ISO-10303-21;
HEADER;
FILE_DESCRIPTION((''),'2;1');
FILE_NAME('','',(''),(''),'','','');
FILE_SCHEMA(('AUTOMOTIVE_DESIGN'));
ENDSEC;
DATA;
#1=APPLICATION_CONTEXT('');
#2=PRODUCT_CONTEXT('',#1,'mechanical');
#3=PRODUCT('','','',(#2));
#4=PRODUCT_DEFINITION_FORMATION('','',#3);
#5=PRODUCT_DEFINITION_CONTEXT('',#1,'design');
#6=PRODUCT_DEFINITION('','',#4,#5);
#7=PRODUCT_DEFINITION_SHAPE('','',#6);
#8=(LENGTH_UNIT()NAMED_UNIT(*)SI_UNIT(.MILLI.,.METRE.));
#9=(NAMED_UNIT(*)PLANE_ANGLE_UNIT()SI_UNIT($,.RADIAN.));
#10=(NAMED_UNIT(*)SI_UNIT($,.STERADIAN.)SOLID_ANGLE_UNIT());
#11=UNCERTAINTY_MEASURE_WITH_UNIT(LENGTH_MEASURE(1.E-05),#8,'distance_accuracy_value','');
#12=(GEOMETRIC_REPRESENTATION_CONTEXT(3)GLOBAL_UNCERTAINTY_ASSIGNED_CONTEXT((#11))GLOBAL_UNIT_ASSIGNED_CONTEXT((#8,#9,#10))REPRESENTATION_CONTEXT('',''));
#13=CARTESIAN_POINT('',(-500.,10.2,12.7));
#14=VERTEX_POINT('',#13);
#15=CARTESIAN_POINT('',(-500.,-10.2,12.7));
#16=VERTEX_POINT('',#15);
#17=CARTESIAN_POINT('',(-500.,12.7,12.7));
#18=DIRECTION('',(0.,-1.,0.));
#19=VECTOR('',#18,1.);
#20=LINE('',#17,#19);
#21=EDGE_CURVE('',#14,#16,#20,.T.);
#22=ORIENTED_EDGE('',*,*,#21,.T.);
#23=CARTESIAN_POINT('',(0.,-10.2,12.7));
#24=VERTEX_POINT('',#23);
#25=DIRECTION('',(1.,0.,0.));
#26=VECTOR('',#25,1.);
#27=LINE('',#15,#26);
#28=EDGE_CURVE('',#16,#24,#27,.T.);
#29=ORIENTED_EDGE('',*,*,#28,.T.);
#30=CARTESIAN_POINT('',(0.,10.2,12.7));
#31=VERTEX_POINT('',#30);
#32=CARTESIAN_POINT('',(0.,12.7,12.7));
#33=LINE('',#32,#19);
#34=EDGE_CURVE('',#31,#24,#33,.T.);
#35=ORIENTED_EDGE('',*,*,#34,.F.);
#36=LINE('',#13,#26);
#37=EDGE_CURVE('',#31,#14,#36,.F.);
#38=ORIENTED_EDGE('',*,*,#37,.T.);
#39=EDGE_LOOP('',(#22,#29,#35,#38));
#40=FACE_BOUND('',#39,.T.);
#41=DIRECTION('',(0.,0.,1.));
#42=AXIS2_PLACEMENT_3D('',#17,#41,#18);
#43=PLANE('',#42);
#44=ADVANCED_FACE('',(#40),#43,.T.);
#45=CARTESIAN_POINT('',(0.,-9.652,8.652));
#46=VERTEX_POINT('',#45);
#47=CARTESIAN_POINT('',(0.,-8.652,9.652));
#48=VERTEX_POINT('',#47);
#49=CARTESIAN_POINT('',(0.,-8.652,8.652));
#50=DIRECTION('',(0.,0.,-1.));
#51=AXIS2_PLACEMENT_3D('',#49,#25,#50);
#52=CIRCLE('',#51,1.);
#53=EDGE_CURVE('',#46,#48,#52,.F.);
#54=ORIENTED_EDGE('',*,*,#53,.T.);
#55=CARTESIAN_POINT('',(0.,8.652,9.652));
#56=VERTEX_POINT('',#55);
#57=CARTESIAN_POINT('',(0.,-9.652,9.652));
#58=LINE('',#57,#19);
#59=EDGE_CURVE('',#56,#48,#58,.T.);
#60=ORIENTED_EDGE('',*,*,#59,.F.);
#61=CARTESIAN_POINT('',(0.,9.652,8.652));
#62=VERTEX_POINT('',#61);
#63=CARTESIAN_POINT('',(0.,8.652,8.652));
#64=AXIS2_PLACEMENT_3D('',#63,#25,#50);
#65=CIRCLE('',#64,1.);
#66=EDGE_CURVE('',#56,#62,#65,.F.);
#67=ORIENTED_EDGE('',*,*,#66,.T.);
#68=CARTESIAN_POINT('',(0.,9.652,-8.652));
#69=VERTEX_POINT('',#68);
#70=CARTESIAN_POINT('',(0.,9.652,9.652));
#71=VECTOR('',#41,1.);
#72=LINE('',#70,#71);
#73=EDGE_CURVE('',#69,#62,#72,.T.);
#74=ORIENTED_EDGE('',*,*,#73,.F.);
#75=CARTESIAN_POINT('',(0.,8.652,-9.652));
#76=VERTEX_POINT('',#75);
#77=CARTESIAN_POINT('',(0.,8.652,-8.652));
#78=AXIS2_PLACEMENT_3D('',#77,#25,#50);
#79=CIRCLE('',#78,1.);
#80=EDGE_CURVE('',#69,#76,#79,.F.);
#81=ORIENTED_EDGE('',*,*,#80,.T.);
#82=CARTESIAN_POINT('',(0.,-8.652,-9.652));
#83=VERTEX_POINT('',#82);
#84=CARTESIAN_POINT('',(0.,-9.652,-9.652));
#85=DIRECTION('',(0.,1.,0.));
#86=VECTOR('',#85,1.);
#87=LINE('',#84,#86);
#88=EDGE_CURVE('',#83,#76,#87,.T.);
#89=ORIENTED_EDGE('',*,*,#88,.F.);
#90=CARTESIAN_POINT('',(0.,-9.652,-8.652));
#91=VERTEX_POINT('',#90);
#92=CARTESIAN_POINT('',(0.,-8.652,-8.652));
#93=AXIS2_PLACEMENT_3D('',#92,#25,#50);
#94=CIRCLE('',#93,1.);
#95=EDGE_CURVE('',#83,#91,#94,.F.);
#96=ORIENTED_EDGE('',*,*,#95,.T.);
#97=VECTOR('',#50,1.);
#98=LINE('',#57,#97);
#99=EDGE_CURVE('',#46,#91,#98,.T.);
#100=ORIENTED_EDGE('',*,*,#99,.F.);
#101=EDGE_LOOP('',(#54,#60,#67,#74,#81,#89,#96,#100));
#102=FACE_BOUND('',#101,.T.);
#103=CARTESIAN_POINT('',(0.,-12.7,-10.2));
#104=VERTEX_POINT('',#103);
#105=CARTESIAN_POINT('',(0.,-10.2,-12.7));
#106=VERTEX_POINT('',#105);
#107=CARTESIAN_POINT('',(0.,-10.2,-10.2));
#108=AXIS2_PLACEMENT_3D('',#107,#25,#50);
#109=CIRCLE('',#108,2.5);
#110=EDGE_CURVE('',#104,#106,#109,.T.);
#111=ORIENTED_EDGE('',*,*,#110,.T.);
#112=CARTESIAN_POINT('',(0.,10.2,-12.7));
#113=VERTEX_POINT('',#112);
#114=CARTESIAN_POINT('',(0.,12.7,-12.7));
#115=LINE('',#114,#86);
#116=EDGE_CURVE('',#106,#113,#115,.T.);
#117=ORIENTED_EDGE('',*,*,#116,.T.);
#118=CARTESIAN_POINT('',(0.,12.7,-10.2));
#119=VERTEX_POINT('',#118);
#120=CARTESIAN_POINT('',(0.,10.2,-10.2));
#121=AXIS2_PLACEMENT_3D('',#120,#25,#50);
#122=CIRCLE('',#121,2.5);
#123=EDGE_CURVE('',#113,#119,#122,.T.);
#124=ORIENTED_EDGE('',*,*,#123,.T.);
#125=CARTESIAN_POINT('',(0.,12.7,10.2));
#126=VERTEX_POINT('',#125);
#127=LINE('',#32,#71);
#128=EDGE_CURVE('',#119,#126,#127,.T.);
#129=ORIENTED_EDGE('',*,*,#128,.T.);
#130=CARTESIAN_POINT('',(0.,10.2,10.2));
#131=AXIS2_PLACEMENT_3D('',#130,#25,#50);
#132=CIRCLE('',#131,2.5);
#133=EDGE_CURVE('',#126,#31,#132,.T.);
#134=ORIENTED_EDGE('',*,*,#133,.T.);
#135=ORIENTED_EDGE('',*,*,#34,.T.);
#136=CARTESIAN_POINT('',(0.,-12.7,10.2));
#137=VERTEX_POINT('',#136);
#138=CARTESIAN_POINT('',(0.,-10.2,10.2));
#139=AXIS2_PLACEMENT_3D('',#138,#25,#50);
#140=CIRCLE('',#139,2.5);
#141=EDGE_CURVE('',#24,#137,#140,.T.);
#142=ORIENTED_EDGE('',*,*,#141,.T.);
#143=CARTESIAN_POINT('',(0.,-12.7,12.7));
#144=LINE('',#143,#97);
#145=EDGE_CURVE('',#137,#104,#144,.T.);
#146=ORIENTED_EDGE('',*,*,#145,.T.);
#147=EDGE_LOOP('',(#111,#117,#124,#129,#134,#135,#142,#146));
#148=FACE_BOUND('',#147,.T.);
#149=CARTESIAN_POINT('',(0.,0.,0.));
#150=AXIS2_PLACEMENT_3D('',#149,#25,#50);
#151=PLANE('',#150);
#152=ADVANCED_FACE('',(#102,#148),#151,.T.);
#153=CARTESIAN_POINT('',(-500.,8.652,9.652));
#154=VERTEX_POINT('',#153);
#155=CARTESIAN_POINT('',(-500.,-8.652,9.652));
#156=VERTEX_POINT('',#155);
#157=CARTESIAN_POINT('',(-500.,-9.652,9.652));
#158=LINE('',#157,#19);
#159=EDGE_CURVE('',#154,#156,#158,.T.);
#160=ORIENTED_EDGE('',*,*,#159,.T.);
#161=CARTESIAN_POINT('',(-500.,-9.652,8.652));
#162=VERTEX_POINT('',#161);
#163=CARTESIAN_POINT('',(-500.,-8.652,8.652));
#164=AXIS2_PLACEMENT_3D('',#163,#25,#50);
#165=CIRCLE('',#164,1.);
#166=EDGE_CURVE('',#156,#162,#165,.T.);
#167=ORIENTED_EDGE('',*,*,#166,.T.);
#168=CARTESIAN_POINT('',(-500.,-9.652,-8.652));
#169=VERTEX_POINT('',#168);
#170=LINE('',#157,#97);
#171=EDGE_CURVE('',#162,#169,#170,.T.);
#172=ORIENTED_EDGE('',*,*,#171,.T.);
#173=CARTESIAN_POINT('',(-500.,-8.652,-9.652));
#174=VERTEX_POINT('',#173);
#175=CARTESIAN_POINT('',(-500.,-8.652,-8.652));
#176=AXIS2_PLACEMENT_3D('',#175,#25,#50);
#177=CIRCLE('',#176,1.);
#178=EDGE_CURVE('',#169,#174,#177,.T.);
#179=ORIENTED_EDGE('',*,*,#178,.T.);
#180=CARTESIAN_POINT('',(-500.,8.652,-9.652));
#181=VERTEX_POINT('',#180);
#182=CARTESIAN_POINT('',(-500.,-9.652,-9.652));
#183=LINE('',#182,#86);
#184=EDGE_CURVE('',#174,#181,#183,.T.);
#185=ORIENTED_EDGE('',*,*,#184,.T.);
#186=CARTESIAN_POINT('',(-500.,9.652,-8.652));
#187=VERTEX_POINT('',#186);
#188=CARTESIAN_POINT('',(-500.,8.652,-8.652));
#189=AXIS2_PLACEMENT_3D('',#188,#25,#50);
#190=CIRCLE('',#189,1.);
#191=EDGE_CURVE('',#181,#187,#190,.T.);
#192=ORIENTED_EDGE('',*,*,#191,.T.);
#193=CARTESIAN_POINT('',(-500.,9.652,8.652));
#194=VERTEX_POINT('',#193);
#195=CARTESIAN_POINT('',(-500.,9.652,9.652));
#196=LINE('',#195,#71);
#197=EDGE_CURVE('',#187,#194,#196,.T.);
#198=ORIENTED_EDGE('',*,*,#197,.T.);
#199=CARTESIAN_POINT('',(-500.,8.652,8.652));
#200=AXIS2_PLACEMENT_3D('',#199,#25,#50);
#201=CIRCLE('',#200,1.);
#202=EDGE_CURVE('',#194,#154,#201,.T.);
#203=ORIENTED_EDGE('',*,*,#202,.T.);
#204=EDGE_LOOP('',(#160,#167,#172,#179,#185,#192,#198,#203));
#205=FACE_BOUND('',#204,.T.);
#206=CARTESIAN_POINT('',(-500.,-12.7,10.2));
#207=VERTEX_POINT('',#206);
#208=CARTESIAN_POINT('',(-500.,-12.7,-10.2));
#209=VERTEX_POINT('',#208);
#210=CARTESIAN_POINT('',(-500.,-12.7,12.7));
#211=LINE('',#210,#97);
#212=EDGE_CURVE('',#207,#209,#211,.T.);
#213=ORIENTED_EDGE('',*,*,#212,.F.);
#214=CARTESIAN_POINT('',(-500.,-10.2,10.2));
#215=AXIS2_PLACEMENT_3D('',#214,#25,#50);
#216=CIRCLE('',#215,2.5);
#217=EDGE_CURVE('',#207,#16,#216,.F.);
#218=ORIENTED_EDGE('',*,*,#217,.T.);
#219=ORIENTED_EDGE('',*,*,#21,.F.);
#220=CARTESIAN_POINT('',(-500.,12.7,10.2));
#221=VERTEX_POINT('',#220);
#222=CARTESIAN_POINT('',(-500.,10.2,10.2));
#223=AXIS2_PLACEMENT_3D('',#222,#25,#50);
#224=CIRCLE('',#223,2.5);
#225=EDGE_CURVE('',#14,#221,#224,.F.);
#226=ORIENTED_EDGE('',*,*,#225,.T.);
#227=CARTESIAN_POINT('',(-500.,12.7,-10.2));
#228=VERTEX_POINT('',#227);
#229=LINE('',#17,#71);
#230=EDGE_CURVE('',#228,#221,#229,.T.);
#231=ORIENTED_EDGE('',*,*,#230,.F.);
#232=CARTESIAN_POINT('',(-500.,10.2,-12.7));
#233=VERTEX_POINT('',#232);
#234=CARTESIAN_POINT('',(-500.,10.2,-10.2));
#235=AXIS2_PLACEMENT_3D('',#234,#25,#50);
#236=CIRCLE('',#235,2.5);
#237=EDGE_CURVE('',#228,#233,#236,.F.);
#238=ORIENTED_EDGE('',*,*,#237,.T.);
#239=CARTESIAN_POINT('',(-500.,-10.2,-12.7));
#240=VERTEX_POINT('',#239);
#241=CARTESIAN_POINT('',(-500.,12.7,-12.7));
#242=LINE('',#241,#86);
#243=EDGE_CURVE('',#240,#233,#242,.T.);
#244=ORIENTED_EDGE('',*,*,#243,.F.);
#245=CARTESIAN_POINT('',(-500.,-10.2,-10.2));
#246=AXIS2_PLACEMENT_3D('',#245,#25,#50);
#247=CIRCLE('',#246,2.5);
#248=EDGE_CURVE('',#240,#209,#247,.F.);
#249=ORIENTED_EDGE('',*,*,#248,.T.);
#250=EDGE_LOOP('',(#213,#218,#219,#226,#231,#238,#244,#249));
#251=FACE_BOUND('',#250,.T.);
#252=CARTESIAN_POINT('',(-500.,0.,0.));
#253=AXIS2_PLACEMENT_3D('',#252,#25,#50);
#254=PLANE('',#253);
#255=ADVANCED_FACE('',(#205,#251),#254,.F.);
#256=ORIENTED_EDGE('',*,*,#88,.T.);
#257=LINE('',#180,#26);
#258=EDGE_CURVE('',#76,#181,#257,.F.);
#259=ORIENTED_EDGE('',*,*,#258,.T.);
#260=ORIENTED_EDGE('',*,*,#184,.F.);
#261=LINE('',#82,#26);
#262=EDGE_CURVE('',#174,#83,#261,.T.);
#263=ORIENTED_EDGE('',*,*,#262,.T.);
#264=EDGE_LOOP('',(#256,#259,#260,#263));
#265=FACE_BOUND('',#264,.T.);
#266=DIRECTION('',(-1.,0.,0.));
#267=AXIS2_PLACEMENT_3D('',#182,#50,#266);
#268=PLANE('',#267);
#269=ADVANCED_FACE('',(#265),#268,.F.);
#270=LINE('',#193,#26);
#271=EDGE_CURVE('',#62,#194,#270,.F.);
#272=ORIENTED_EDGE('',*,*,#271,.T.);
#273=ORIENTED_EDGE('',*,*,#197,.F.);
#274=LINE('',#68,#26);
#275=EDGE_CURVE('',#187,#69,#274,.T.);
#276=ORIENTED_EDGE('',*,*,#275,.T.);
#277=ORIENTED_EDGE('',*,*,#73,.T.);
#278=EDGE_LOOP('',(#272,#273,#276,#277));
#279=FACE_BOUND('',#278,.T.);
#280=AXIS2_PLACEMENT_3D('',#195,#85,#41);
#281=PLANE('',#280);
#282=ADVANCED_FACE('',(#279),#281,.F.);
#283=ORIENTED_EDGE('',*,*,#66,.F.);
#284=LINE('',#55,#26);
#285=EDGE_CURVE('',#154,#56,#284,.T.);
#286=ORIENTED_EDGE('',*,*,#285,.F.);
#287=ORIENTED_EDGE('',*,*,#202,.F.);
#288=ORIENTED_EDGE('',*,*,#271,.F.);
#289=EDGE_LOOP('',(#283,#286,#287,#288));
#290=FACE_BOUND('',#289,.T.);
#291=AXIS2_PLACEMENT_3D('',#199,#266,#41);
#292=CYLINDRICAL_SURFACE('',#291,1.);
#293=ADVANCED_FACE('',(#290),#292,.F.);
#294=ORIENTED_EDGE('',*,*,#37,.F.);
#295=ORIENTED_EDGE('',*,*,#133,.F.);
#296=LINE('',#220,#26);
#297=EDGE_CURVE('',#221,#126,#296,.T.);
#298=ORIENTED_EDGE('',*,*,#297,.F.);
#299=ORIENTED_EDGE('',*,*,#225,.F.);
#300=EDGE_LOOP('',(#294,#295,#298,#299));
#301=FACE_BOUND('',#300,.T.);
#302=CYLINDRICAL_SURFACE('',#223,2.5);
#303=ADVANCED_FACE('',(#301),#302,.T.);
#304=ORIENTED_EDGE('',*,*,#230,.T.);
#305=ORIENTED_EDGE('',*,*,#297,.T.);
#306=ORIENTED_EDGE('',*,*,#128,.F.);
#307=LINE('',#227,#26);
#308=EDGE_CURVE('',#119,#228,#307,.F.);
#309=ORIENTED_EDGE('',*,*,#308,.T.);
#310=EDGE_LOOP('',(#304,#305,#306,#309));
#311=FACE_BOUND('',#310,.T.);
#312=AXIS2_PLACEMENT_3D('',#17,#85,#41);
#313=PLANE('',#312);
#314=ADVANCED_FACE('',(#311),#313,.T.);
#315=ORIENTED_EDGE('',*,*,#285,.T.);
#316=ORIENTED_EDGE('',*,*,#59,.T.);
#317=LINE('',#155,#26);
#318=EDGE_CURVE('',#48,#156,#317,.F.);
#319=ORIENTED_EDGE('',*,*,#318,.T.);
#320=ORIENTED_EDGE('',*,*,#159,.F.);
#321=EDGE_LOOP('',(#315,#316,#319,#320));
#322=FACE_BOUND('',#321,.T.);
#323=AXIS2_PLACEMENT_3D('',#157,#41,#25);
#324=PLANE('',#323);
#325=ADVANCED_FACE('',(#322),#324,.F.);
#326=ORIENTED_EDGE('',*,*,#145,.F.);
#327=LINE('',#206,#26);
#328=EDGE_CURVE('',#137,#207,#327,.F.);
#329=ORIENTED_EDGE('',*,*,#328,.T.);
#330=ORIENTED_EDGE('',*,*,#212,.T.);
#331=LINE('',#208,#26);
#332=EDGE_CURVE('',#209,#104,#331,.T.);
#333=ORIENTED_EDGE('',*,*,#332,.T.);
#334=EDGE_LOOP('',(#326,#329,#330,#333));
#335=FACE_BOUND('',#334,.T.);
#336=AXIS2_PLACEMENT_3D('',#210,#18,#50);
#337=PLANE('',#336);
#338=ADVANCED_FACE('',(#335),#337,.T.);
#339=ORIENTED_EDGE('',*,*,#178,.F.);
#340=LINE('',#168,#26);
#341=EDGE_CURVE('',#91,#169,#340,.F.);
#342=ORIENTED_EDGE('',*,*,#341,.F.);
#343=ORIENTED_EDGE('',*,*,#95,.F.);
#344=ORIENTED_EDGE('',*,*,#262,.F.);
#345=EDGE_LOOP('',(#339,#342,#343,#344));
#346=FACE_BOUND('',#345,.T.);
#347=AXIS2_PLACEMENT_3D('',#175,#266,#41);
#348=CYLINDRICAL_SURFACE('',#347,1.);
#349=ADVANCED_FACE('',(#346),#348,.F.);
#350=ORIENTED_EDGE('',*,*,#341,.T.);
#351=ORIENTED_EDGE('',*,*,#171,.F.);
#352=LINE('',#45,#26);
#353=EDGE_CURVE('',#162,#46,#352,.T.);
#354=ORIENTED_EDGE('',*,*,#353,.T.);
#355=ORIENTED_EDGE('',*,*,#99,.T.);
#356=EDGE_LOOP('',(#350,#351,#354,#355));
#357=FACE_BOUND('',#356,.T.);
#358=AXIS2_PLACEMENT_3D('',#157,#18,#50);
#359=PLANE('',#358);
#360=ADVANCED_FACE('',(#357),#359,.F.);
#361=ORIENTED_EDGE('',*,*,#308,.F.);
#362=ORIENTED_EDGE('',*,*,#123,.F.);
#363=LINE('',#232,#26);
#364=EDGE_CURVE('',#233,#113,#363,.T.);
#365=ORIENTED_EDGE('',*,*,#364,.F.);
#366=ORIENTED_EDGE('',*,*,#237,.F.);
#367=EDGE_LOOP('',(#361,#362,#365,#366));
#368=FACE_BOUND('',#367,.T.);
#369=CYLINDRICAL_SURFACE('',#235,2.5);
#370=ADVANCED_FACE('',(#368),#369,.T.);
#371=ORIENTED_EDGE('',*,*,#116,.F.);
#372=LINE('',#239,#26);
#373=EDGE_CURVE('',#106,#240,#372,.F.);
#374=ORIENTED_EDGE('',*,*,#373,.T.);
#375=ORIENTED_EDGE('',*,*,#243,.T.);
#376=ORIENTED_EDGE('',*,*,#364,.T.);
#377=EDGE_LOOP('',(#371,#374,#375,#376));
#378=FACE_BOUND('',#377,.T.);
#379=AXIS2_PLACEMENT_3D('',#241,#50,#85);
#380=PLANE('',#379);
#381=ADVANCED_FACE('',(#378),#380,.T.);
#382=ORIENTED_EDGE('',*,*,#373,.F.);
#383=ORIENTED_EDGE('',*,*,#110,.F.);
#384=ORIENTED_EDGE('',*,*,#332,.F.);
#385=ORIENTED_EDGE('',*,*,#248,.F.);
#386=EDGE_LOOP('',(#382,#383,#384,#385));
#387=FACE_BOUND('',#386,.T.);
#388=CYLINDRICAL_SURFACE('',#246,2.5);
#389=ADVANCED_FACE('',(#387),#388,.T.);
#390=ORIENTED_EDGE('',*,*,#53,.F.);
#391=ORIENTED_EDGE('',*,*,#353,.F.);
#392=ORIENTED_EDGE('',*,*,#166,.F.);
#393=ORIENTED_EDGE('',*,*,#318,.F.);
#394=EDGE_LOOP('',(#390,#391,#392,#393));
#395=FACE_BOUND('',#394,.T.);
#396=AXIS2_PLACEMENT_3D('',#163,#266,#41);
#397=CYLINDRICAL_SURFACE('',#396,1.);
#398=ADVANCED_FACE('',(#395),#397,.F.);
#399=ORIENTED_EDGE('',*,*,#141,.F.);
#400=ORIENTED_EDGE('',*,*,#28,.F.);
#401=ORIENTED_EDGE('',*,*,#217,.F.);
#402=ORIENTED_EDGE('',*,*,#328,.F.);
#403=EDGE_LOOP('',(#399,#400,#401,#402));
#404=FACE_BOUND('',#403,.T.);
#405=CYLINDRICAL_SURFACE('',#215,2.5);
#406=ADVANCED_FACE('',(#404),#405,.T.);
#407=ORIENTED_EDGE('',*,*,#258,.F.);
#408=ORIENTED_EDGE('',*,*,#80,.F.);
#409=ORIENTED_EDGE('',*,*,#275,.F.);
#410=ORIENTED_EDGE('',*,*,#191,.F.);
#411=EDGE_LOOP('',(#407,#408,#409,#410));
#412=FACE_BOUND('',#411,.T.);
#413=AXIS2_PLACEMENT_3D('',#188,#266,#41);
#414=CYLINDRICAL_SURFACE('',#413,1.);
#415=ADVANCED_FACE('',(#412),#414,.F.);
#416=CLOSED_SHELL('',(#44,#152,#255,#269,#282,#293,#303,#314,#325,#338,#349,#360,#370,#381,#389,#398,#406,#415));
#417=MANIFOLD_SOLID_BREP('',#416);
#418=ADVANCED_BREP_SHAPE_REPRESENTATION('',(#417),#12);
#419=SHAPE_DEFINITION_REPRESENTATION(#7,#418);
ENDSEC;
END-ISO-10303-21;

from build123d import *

# Parameters (mm, degrees)
SKETCH3_W           = 25.4
SKETCH3_H           = 25.4
SKETCH3_W_2         = 19.304
SKETCH3_H_2         = 19.304
BOSS_EXTRUDE1_DEPTH = 500
FILLET1_R           = 2.5
FILLET2_R           = 1


with BuildPart() as part:
    # Sketch3 → Boss-Extrude1 (new body)
    with BuildSketch(Plane(origin=(0, 0, 0), x_dir=(0, 0, -1), z_dir=(1, 0, 0))):
        Rectangle(SKETCH3_W, SKETCH3_H)
        Rectangle(SKETCH3_W_2, SKETCH3_H_2, mode=Mode.SUBTRACT)
    extrude(amount=-BOSS_EXTRUDE1_DEPTH)

    # Fillet1
    fillet1_edges = [part.edges().sort_by_distance(p)[0] for p in [
        (-250, -12.7, -12.7),
        (-250, -12.7, 12.7),
        (-250, 12.7, 12.7),
        (-250, 12.7, -12.7),
    ]]
    fillet(fillet1_edges, radius=FILLET1_R)

    # Fillet2
    fillet2_edges = [part.edges().sort_by_distance(p)[0] for p in [
        (-250, 9.652, -9.652),
        (-250, -9.652, -9.652),
        (-250, -9.652, 9.652),
        (-250, 9.652, 9.652),
    ]]
    fillet(fillet2_edges, radius=FILLET2_R)


solid = part.part
